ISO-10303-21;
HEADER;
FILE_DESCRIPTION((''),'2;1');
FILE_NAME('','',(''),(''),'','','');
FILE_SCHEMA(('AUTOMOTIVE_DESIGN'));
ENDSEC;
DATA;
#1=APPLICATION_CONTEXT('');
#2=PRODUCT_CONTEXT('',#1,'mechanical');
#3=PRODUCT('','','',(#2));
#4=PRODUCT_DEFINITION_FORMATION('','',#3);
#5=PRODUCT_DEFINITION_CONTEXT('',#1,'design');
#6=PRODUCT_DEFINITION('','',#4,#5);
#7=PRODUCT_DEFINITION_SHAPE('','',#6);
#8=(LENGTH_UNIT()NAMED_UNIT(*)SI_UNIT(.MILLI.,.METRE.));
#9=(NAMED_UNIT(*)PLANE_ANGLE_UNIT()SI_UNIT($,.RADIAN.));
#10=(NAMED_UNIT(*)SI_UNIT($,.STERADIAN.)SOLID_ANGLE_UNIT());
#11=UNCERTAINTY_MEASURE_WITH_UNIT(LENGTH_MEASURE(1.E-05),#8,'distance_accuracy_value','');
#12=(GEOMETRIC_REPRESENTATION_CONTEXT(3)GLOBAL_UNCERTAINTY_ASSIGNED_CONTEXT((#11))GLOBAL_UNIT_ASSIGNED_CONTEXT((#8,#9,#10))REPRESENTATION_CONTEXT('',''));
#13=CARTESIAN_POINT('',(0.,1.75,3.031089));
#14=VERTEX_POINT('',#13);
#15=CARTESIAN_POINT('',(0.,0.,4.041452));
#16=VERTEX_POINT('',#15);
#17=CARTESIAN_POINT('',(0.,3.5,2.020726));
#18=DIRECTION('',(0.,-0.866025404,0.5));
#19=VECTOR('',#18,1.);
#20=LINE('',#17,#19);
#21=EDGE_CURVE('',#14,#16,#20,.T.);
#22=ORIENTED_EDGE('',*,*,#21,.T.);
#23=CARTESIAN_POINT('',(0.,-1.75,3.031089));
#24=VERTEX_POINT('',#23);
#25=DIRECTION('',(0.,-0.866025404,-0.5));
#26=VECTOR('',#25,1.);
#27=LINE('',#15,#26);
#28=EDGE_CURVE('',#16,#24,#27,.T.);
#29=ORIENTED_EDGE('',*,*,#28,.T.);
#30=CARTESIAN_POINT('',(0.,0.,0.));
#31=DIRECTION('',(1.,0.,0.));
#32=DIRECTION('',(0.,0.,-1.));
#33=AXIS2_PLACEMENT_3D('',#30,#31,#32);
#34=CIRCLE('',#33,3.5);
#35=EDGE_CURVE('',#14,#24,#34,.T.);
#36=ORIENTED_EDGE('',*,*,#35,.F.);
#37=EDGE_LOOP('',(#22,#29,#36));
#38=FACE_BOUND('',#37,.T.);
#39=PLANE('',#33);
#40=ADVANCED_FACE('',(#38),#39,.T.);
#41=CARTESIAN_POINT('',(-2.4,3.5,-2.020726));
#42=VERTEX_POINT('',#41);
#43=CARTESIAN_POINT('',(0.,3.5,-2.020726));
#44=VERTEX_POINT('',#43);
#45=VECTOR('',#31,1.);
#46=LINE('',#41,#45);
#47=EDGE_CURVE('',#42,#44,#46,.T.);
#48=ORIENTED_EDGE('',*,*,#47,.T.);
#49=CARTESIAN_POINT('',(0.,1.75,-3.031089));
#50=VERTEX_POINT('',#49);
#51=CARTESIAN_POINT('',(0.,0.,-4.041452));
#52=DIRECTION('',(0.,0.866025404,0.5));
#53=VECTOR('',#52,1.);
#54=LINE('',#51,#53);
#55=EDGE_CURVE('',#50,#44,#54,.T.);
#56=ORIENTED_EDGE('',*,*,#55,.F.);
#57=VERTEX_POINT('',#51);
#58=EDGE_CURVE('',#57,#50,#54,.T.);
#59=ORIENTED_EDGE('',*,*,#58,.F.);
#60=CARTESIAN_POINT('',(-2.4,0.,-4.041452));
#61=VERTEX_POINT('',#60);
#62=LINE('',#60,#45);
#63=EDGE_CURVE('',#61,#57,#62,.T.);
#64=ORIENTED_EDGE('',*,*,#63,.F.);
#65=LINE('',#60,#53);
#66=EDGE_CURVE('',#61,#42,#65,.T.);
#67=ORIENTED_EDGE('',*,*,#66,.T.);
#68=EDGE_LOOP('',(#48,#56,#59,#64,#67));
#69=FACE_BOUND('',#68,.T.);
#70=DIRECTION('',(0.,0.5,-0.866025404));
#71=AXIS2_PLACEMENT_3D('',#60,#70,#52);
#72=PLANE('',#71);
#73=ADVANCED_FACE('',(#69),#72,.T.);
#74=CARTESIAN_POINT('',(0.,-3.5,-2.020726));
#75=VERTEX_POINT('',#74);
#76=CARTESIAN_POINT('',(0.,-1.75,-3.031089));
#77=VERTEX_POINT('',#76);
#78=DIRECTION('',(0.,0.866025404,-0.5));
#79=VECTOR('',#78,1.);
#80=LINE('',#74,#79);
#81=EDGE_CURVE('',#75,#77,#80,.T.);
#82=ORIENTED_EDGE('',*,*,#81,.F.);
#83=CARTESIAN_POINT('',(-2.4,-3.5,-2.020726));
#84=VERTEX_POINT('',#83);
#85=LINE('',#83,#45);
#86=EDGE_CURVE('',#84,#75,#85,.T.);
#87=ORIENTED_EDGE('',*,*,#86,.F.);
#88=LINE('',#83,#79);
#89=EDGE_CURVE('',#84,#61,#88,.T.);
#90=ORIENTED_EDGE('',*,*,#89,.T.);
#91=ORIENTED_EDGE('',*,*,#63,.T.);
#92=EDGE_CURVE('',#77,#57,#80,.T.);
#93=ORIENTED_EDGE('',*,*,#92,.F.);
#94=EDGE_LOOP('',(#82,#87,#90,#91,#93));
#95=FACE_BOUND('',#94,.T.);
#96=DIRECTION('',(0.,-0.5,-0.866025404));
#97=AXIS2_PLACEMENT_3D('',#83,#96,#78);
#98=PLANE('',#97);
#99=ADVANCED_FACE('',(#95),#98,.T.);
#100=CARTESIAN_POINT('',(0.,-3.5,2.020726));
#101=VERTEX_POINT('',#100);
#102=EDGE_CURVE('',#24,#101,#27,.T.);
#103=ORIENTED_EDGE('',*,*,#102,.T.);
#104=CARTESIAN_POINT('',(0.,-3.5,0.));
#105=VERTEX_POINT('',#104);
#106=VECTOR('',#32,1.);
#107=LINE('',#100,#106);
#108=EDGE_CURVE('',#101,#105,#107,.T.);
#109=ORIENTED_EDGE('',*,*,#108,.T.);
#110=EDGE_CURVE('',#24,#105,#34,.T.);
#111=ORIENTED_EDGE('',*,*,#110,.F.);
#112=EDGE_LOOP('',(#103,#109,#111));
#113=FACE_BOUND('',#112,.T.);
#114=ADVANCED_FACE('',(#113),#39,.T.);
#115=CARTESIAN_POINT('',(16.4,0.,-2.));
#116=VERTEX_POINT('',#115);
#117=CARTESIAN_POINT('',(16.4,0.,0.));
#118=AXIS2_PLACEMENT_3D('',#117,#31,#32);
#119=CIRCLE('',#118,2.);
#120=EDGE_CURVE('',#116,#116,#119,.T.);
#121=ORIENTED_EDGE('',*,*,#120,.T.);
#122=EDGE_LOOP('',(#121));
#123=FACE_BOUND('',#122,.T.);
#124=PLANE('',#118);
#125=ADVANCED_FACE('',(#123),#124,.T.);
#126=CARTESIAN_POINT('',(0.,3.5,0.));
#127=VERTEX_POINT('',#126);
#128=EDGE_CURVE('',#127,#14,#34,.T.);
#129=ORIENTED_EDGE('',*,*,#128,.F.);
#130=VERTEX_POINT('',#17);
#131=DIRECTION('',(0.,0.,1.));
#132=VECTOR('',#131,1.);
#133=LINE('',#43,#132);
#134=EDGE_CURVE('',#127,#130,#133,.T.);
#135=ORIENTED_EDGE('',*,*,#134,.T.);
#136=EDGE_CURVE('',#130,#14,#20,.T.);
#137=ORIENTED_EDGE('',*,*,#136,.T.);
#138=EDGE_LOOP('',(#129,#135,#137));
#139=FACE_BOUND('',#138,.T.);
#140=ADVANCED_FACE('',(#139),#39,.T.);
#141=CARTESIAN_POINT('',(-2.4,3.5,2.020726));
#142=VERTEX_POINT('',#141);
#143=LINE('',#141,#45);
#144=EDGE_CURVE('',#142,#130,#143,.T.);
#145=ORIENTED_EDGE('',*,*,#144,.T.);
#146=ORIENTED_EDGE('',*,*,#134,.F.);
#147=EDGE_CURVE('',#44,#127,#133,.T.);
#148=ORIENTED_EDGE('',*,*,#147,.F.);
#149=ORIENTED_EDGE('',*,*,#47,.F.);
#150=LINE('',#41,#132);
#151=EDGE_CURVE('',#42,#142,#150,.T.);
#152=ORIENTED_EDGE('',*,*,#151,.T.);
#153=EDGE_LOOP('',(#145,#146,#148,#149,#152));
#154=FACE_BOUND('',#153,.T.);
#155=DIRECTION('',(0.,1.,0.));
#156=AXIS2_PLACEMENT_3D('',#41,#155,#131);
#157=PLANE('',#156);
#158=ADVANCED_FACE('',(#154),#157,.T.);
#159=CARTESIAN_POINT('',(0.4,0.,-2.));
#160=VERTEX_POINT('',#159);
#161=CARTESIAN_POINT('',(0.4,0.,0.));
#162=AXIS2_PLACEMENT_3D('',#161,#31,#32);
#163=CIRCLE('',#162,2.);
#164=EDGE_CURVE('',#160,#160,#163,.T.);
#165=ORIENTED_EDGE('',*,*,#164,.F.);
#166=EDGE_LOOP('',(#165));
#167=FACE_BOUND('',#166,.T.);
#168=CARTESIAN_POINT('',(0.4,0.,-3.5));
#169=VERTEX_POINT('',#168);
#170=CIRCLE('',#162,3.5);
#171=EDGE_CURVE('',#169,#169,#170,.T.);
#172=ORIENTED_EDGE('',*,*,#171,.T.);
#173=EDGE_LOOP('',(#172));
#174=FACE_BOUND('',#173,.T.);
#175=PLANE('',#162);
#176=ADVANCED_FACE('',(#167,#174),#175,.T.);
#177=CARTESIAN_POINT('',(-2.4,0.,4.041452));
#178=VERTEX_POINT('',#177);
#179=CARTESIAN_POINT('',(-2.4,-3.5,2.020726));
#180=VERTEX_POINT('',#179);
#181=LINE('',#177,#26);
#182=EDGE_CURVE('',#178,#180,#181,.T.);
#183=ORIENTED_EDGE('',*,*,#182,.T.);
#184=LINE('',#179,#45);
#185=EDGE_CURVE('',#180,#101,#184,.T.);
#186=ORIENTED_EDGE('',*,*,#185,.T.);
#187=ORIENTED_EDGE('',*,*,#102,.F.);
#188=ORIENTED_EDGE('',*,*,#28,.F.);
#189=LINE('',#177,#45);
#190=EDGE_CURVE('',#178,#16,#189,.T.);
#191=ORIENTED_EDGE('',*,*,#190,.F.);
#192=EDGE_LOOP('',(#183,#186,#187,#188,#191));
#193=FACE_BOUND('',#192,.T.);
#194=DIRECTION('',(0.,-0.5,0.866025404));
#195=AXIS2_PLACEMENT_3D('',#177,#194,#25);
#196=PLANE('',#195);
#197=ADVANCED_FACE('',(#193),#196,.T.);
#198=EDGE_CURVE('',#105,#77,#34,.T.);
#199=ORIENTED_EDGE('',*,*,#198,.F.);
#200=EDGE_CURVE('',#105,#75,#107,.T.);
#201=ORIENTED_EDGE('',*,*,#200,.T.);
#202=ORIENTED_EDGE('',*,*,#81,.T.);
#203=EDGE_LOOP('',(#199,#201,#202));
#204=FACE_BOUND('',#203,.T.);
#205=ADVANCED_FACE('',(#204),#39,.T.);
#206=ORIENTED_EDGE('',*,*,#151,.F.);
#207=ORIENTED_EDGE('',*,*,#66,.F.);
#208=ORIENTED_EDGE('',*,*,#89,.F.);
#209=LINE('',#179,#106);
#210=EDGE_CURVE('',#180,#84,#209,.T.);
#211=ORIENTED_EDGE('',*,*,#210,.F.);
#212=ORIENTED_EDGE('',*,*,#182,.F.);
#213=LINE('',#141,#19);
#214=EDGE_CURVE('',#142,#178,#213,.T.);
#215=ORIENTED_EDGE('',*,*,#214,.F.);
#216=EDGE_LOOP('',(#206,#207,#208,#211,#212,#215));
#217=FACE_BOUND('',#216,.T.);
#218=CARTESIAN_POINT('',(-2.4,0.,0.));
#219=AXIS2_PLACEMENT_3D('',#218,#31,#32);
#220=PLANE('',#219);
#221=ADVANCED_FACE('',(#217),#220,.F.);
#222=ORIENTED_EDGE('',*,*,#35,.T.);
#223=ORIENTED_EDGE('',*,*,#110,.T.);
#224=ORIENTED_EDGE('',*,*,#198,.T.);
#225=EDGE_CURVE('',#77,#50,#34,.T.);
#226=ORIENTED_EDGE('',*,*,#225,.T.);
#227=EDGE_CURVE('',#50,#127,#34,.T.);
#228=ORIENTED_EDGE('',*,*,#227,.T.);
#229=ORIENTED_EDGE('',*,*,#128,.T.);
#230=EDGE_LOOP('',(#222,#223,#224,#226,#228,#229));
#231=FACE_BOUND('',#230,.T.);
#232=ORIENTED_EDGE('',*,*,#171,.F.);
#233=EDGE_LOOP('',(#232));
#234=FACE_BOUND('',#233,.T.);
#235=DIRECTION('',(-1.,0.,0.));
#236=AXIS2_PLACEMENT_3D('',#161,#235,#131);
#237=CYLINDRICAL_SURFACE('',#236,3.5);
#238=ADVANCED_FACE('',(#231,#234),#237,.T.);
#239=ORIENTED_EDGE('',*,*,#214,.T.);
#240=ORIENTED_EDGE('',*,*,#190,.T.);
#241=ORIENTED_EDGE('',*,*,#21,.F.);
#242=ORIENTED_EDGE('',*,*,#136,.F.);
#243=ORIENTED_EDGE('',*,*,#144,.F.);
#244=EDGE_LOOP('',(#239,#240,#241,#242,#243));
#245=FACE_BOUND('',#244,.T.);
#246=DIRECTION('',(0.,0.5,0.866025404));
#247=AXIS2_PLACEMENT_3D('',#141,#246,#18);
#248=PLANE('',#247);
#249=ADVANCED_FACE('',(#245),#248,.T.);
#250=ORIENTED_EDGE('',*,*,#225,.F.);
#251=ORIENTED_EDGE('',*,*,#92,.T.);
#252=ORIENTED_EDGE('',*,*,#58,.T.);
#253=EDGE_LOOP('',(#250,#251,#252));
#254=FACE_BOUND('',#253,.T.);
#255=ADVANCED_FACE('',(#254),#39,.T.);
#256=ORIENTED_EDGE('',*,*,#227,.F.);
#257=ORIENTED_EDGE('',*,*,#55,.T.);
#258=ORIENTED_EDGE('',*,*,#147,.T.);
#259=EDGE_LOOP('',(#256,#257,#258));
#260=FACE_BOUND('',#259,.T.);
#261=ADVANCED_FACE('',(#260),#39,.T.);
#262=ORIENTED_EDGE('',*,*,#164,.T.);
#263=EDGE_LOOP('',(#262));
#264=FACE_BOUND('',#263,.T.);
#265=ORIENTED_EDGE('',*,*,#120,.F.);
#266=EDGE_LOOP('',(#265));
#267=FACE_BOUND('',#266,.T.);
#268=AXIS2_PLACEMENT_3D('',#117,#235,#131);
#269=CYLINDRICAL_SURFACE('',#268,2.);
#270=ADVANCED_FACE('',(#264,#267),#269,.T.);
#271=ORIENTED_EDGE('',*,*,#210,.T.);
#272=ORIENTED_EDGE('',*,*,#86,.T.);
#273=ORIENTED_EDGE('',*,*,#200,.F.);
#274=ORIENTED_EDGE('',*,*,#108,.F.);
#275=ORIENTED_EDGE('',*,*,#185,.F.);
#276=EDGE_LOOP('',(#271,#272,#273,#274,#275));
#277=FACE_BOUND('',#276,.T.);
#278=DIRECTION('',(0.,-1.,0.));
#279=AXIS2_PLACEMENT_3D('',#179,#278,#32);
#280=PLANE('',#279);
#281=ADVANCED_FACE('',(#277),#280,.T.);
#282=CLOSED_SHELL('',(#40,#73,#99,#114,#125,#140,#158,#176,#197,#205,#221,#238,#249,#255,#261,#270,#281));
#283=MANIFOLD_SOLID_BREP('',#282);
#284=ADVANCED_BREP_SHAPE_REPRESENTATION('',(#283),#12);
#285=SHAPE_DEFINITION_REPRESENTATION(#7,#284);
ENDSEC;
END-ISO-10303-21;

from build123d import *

# Parameters (mm, degrees)
BOSS_EXTRUDE1_DEPTH = 2.4
SKETCH2_R           = 3.5
BOSS_EXTRUDE2_DEPTH = 0.4
SKETCH3_R           = 2
BOSS_EXTRUDE3_DEPTH = 16


with BuildPart() as part:
    # Sketch1 → Boss-Extrude1 (new body)
    with BuildSketch(Plane(origin=(0, 0, 0), x_dir=(0, 0, -1), z_dir=(1, 0, 0))):
        Polygon((-4.041451884, 0), (-2.020725942, -3.5), (2.020725942, -3.5), (4.041451884, 0), (2.020725942, 3.5), (-2.020725942, 3.5), align=None)
    extrude(amount=-BOSS_EXTRUDE1_DEPTH)

    # Sketch2 → Boss-Extrude2 (add)
    with BuildSketch(Plane(origin=(0, 0, 0), x_dir=(0, 0, -1), z_dir=(1, 0, 0))):
        with Locations(Location((0, 0, 0), (0, 0, 150))):
            Circle(SKETCH2_R)
    extrude(amount=BOSS_EXTRUDE2_DEPTH)

    # Sketch3 → Boss-Extrude3 (add)
    with BuildSketch(Plane(origin=(0.4, 0, 0), x_dir=(0, 0, -1), z_dir=(1, 0, 0))):
        Circle(SKETCH3_R)
    extrude(amount=BOSS_EXTRUDE3_DEPTH)


solid = part.part
